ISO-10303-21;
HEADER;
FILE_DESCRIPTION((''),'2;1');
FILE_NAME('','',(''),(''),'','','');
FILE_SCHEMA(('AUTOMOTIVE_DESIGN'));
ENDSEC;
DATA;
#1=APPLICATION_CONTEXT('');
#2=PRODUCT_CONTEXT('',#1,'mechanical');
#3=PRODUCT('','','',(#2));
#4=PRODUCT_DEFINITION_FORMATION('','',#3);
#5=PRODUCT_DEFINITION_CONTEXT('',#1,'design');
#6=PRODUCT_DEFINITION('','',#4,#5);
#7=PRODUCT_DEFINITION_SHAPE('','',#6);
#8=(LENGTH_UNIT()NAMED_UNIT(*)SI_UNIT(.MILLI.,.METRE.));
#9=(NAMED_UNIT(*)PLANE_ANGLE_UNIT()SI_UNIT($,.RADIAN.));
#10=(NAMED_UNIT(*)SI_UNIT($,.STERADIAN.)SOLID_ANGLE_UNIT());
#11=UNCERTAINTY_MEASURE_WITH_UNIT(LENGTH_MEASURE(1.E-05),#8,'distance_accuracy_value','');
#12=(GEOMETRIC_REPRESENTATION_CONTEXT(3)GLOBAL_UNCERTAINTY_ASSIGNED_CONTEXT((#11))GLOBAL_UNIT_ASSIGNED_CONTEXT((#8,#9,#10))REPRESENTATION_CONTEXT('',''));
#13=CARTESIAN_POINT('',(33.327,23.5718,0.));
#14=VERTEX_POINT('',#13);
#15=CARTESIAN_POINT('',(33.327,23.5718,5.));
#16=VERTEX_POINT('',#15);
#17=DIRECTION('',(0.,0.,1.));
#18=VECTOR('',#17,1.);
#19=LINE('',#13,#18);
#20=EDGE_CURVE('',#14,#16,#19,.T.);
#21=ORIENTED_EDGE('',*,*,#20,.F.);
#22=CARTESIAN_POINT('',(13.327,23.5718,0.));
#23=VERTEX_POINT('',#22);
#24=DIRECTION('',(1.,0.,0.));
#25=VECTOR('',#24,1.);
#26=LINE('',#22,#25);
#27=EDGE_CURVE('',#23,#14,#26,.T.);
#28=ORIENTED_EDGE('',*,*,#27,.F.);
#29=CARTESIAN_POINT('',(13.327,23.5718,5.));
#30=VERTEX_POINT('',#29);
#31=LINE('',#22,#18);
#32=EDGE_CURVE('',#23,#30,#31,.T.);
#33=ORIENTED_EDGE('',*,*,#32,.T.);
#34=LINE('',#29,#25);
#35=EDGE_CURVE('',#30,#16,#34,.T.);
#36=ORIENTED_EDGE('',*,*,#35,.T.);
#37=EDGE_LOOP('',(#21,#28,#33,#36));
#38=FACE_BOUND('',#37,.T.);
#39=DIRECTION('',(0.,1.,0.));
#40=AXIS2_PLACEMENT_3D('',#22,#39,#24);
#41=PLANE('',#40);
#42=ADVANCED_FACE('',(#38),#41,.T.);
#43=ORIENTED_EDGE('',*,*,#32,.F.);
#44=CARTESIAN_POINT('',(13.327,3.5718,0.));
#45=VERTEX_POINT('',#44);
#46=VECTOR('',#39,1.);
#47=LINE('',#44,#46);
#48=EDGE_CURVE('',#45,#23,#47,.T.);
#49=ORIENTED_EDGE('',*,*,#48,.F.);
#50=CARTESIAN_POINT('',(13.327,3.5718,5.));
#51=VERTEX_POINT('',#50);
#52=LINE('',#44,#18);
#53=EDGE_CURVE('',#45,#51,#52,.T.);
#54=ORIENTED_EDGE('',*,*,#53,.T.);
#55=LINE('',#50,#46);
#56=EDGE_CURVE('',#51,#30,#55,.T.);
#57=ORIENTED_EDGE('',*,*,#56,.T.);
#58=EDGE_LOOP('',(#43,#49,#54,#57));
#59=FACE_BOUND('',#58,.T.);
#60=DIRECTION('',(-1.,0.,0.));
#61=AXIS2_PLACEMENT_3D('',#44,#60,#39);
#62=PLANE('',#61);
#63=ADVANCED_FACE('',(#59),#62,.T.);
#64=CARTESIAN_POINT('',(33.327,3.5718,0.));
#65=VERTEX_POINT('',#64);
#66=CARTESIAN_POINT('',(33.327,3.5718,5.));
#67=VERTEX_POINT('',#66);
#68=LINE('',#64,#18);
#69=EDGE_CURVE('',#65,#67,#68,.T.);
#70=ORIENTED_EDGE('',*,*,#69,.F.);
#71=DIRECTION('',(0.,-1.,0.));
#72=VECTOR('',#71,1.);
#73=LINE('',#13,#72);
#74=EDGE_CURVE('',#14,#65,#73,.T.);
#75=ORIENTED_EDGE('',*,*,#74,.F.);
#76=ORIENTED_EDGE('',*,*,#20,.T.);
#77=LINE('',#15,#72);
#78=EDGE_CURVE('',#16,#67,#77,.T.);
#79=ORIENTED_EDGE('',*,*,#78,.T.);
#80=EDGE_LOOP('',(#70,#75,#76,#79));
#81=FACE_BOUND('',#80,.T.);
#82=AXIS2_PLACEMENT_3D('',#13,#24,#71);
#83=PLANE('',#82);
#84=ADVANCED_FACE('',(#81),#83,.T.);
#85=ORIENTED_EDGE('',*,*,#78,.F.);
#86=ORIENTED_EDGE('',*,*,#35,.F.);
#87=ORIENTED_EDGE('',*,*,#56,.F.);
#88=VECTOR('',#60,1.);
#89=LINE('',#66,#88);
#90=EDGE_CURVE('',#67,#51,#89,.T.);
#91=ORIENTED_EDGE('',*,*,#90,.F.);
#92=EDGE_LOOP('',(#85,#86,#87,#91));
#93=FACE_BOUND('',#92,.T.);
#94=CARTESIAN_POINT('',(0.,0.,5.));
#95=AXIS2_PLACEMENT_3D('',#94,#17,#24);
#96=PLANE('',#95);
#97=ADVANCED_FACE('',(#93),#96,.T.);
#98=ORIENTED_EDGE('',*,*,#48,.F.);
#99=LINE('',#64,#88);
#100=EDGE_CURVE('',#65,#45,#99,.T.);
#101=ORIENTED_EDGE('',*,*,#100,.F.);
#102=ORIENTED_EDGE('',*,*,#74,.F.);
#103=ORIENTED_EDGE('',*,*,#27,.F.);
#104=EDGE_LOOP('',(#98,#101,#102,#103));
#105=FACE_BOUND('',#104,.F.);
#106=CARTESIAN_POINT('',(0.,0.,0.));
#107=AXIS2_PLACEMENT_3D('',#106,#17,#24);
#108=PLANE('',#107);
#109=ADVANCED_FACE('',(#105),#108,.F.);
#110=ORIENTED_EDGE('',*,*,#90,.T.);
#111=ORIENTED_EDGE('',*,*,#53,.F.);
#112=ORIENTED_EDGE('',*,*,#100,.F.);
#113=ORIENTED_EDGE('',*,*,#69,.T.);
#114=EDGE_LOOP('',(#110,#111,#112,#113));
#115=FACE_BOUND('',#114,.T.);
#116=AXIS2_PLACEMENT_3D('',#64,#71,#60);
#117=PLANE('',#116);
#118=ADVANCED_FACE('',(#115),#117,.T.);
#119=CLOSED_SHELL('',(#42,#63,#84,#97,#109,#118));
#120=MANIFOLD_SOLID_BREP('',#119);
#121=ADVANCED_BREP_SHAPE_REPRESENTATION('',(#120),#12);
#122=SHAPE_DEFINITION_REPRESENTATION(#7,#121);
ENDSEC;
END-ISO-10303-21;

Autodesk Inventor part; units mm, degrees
ref_plane "YZ Plane" through (0, 0, 0) normal (1, 0, 0) x (0, 1, 0)
ref_plane "XZ Plane" through (0, 0, 0) normal (0, 1, 0) x (-1, 0, 0)
ref_plane "XY Plane" through (0, 0, 0) normal (0, 0, 1) x (1, 0, 0)
sketch "Sketch1" plane through (0, 0, 0) normal (0, 0, 1) x (1, 0, 0)
  line L0 (13.327, 23.5718) -> (33.327, 23.5718)
  line L1 (33.327, 23.5718) -> (33.327, 3.5718)
  line L2 (33.327, 3.5718) -> (13.327, 3.5718)
  line L3 (13.327, 3.5718) -> (13.327, 23.5718)
  point P0 (0, 0)
  dimension "d0" = 20
  dimension "d1" = 20
extrude "Extrusion1" add sketch "Sketch1" along normal blind 5
properties part number "middleslidestick"
